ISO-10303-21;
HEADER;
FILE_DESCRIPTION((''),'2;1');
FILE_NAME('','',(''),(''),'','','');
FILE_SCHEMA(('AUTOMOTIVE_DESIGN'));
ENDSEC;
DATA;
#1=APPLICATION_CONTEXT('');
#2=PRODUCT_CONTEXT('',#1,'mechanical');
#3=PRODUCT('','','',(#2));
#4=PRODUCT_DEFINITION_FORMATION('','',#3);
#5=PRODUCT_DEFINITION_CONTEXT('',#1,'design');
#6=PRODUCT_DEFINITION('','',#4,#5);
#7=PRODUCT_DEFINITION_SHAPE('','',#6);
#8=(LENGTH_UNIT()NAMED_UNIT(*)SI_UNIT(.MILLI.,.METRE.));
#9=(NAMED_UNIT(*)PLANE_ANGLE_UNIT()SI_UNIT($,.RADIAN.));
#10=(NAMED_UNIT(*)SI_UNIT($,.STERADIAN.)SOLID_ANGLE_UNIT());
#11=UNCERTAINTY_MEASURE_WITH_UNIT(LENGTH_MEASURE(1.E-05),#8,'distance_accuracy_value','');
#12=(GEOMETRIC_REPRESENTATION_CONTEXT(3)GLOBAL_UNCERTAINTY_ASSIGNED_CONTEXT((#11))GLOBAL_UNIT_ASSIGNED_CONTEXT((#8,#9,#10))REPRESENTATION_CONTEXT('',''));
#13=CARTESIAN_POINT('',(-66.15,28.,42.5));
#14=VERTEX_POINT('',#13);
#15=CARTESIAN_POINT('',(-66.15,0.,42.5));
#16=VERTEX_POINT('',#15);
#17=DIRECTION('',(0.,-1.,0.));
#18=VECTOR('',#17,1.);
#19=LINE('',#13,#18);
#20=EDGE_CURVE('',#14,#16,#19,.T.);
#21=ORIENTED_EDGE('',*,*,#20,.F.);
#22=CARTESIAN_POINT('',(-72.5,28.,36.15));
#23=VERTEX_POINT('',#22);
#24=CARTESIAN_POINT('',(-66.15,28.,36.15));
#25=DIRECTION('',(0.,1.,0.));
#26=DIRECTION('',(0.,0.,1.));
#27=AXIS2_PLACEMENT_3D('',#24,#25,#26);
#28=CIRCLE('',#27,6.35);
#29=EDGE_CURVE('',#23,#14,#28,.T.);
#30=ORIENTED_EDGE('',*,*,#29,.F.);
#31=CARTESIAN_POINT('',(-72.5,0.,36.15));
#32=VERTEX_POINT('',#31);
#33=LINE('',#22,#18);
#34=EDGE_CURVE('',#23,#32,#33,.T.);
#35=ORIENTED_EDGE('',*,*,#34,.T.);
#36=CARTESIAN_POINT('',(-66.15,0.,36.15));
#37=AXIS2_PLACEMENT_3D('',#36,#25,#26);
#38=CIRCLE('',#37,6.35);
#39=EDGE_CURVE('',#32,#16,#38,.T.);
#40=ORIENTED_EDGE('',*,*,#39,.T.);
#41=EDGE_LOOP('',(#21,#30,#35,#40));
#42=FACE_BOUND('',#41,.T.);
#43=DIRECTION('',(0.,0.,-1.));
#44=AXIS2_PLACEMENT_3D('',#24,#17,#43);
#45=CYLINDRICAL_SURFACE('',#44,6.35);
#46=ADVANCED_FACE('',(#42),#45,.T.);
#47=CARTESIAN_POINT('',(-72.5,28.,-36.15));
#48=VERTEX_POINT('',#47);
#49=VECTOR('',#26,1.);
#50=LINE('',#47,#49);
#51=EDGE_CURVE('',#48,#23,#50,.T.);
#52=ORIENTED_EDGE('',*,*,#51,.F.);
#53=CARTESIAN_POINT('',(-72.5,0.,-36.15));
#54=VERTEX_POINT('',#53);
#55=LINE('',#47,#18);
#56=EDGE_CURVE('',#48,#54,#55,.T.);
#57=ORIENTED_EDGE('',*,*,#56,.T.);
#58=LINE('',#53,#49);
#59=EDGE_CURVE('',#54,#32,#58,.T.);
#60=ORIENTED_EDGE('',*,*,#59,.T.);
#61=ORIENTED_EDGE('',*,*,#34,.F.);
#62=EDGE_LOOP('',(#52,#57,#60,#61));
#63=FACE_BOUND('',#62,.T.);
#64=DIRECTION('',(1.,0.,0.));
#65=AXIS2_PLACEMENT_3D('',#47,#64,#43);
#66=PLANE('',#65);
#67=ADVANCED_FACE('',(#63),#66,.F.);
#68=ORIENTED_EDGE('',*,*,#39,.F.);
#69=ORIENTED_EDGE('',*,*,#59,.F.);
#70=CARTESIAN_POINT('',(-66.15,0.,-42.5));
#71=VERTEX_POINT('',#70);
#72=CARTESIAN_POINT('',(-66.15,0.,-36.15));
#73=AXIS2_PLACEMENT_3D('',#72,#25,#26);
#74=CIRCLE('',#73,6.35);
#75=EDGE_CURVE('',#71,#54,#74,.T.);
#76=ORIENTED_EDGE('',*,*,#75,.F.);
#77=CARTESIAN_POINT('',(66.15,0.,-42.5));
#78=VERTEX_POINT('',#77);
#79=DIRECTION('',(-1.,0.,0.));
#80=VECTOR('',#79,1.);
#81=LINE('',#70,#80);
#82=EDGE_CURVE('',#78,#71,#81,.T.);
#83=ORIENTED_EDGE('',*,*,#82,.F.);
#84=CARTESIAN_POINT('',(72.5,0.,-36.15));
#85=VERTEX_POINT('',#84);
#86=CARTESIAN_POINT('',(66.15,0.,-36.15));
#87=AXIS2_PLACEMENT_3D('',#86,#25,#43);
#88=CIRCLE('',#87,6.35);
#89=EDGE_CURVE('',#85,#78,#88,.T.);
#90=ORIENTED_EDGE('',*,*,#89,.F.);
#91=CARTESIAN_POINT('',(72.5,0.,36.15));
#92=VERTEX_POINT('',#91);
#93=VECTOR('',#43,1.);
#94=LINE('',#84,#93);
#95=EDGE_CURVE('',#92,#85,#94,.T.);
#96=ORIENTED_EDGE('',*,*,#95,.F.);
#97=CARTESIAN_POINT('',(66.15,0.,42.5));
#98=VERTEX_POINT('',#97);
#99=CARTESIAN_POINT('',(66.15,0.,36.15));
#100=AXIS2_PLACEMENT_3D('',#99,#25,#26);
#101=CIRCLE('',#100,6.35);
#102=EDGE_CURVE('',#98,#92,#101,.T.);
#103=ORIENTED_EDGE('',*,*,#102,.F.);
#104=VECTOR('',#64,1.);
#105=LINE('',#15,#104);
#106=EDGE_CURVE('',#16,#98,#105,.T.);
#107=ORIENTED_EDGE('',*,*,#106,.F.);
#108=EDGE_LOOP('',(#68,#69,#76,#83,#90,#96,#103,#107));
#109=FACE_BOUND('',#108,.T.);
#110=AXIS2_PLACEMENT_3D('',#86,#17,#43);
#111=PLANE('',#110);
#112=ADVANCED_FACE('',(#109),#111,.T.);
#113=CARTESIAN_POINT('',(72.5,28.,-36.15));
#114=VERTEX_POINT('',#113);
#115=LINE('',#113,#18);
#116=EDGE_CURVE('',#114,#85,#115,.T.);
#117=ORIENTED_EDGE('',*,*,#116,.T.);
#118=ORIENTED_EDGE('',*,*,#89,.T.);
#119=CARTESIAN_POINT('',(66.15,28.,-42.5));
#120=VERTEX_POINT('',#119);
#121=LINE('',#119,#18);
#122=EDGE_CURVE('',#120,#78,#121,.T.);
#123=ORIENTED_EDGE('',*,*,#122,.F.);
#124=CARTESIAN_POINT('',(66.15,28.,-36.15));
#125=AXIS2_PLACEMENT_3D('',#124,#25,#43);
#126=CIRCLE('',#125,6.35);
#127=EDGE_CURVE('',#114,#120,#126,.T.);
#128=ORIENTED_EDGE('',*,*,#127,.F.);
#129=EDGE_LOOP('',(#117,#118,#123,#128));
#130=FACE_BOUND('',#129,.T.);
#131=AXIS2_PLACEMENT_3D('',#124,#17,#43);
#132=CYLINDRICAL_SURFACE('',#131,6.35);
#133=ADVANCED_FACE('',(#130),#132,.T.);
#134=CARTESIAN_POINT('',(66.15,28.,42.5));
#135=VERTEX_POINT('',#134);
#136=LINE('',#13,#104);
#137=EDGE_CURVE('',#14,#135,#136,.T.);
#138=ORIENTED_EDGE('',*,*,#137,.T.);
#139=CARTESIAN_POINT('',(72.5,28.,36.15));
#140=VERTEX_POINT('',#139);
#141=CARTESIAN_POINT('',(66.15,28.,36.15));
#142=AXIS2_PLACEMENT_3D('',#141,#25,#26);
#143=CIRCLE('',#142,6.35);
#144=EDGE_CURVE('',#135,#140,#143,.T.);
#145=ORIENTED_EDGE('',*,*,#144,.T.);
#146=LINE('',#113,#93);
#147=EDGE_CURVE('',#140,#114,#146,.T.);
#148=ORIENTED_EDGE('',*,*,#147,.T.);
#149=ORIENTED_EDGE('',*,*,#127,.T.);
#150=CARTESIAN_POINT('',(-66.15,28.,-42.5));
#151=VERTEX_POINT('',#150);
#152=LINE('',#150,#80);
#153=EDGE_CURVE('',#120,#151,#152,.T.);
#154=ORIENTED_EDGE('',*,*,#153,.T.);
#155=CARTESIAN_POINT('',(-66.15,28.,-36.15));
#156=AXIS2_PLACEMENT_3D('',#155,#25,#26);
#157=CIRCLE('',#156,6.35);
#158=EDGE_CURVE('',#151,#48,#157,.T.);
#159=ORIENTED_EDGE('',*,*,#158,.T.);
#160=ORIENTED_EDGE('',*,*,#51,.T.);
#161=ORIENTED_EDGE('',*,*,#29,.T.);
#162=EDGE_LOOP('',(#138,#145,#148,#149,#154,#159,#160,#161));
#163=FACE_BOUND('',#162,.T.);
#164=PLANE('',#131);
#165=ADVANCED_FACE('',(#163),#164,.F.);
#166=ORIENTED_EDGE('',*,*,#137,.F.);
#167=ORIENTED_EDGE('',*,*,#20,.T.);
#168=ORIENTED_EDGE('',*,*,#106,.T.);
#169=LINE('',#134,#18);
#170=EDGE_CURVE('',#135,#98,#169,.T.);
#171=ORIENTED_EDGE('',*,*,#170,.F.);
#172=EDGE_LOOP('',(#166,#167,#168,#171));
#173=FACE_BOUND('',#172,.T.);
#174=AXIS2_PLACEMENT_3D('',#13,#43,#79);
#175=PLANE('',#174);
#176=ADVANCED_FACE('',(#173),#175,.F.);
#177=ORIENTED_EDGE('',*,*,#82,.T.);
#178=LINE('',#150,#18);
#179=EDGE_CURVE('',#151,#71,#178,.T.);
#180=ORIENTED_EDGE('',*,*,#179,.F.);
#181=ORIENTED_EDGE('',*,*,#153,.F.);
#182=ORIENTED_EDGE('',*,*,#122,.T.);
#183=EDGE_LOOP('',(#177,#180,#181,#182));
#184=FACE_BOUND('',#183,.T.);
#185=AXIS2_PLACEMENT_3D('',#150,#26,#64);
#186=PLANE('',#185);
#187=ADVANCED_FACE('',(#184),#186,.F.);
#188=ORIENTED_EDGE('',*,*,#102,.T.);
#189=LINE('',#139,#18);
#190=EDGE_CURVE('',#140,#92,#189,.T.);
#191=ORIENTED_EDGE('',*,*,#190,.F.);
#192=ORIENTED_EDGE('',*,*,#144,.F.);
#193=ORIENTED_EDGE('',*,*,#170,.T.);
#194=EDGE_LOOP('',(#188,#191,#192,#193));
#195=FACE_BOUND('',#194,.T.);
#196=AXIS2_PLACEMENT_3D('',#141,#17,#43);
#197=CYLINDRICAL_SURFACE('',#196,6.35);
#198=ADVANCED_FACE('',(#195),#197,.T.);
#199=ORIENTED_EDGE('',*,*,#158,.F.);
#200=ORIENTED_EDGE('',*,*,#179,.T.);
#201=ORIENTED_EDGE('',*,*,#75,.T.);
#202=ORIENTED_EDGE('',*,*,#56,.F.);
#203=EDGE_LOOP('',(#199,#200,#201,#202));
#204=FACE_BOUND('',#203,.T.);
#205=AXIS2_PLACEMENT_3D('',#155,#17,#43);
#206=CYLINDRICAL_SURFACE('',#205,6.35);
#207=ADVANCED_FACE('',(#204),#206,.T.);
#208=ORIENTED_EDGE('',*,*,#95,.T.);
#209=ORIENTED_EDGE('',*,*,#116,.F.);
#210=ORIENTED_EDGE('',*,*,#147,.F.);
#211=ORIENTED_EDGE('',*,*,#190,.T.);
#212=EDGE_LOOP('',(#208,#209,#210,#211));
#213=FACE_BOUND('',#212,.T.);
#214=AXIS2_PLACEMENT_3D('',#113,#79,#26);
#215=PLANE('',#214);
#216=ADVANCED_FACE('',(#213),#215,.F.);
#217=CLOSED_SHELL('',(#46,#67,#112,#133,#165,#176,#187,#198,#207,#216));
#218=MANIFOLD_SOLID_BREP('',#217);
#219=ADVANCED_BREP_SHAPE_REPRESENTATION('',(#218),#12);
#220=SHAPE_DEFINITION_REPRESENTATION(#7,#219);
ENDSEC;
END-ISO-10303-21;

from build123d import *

# Parameters (mm, degrees)
BOSS_EXTRUDE1_DEPTH = 28


with BuildPart() as part:
    # Sketch1 → Boss-Extrude1 (new body)
    with BuildSketch(Plane(origin=(0, 0, 0), x_dir=(1, 0, 0), z_dir=(0, 1, 0))):
        with BuildLine():
            Line((-66.149999966, 42.500000037), (66.150000034, 42.500000037))
            ThreePointArc((66.150000034, 42.500000037), (70.640128095, 40.640128098), (72.500000034, 36.150000037))
            Line((72.500000034, 36.150000037), (72.500000034, -36.149999963))
            ThreePointArc((72.500000034, -36.149999963), (70.640128095, -40.640128024), (66.150000034, -42.499999963))
            Line((66.150000034, -42.499999963), (-66.149999966, -42.499999963))
            ThreePointArc((-66.149999966, -42.499999963), (-70.640128027, -40.640128024), (-72.499999966, -36.149999963))
            Line((-72.499999966, -36.149999963), (-72.499999966, 36.150000037))
            ThreePointArc((-72.499999966, 36.150000037), (-70.640128027, 40.640128098), (-66.149999966, 42.500000037))
        make_face()
    extrude(amount=BOSS_EXTRUDE1_DEPTH)


solid = part.part
